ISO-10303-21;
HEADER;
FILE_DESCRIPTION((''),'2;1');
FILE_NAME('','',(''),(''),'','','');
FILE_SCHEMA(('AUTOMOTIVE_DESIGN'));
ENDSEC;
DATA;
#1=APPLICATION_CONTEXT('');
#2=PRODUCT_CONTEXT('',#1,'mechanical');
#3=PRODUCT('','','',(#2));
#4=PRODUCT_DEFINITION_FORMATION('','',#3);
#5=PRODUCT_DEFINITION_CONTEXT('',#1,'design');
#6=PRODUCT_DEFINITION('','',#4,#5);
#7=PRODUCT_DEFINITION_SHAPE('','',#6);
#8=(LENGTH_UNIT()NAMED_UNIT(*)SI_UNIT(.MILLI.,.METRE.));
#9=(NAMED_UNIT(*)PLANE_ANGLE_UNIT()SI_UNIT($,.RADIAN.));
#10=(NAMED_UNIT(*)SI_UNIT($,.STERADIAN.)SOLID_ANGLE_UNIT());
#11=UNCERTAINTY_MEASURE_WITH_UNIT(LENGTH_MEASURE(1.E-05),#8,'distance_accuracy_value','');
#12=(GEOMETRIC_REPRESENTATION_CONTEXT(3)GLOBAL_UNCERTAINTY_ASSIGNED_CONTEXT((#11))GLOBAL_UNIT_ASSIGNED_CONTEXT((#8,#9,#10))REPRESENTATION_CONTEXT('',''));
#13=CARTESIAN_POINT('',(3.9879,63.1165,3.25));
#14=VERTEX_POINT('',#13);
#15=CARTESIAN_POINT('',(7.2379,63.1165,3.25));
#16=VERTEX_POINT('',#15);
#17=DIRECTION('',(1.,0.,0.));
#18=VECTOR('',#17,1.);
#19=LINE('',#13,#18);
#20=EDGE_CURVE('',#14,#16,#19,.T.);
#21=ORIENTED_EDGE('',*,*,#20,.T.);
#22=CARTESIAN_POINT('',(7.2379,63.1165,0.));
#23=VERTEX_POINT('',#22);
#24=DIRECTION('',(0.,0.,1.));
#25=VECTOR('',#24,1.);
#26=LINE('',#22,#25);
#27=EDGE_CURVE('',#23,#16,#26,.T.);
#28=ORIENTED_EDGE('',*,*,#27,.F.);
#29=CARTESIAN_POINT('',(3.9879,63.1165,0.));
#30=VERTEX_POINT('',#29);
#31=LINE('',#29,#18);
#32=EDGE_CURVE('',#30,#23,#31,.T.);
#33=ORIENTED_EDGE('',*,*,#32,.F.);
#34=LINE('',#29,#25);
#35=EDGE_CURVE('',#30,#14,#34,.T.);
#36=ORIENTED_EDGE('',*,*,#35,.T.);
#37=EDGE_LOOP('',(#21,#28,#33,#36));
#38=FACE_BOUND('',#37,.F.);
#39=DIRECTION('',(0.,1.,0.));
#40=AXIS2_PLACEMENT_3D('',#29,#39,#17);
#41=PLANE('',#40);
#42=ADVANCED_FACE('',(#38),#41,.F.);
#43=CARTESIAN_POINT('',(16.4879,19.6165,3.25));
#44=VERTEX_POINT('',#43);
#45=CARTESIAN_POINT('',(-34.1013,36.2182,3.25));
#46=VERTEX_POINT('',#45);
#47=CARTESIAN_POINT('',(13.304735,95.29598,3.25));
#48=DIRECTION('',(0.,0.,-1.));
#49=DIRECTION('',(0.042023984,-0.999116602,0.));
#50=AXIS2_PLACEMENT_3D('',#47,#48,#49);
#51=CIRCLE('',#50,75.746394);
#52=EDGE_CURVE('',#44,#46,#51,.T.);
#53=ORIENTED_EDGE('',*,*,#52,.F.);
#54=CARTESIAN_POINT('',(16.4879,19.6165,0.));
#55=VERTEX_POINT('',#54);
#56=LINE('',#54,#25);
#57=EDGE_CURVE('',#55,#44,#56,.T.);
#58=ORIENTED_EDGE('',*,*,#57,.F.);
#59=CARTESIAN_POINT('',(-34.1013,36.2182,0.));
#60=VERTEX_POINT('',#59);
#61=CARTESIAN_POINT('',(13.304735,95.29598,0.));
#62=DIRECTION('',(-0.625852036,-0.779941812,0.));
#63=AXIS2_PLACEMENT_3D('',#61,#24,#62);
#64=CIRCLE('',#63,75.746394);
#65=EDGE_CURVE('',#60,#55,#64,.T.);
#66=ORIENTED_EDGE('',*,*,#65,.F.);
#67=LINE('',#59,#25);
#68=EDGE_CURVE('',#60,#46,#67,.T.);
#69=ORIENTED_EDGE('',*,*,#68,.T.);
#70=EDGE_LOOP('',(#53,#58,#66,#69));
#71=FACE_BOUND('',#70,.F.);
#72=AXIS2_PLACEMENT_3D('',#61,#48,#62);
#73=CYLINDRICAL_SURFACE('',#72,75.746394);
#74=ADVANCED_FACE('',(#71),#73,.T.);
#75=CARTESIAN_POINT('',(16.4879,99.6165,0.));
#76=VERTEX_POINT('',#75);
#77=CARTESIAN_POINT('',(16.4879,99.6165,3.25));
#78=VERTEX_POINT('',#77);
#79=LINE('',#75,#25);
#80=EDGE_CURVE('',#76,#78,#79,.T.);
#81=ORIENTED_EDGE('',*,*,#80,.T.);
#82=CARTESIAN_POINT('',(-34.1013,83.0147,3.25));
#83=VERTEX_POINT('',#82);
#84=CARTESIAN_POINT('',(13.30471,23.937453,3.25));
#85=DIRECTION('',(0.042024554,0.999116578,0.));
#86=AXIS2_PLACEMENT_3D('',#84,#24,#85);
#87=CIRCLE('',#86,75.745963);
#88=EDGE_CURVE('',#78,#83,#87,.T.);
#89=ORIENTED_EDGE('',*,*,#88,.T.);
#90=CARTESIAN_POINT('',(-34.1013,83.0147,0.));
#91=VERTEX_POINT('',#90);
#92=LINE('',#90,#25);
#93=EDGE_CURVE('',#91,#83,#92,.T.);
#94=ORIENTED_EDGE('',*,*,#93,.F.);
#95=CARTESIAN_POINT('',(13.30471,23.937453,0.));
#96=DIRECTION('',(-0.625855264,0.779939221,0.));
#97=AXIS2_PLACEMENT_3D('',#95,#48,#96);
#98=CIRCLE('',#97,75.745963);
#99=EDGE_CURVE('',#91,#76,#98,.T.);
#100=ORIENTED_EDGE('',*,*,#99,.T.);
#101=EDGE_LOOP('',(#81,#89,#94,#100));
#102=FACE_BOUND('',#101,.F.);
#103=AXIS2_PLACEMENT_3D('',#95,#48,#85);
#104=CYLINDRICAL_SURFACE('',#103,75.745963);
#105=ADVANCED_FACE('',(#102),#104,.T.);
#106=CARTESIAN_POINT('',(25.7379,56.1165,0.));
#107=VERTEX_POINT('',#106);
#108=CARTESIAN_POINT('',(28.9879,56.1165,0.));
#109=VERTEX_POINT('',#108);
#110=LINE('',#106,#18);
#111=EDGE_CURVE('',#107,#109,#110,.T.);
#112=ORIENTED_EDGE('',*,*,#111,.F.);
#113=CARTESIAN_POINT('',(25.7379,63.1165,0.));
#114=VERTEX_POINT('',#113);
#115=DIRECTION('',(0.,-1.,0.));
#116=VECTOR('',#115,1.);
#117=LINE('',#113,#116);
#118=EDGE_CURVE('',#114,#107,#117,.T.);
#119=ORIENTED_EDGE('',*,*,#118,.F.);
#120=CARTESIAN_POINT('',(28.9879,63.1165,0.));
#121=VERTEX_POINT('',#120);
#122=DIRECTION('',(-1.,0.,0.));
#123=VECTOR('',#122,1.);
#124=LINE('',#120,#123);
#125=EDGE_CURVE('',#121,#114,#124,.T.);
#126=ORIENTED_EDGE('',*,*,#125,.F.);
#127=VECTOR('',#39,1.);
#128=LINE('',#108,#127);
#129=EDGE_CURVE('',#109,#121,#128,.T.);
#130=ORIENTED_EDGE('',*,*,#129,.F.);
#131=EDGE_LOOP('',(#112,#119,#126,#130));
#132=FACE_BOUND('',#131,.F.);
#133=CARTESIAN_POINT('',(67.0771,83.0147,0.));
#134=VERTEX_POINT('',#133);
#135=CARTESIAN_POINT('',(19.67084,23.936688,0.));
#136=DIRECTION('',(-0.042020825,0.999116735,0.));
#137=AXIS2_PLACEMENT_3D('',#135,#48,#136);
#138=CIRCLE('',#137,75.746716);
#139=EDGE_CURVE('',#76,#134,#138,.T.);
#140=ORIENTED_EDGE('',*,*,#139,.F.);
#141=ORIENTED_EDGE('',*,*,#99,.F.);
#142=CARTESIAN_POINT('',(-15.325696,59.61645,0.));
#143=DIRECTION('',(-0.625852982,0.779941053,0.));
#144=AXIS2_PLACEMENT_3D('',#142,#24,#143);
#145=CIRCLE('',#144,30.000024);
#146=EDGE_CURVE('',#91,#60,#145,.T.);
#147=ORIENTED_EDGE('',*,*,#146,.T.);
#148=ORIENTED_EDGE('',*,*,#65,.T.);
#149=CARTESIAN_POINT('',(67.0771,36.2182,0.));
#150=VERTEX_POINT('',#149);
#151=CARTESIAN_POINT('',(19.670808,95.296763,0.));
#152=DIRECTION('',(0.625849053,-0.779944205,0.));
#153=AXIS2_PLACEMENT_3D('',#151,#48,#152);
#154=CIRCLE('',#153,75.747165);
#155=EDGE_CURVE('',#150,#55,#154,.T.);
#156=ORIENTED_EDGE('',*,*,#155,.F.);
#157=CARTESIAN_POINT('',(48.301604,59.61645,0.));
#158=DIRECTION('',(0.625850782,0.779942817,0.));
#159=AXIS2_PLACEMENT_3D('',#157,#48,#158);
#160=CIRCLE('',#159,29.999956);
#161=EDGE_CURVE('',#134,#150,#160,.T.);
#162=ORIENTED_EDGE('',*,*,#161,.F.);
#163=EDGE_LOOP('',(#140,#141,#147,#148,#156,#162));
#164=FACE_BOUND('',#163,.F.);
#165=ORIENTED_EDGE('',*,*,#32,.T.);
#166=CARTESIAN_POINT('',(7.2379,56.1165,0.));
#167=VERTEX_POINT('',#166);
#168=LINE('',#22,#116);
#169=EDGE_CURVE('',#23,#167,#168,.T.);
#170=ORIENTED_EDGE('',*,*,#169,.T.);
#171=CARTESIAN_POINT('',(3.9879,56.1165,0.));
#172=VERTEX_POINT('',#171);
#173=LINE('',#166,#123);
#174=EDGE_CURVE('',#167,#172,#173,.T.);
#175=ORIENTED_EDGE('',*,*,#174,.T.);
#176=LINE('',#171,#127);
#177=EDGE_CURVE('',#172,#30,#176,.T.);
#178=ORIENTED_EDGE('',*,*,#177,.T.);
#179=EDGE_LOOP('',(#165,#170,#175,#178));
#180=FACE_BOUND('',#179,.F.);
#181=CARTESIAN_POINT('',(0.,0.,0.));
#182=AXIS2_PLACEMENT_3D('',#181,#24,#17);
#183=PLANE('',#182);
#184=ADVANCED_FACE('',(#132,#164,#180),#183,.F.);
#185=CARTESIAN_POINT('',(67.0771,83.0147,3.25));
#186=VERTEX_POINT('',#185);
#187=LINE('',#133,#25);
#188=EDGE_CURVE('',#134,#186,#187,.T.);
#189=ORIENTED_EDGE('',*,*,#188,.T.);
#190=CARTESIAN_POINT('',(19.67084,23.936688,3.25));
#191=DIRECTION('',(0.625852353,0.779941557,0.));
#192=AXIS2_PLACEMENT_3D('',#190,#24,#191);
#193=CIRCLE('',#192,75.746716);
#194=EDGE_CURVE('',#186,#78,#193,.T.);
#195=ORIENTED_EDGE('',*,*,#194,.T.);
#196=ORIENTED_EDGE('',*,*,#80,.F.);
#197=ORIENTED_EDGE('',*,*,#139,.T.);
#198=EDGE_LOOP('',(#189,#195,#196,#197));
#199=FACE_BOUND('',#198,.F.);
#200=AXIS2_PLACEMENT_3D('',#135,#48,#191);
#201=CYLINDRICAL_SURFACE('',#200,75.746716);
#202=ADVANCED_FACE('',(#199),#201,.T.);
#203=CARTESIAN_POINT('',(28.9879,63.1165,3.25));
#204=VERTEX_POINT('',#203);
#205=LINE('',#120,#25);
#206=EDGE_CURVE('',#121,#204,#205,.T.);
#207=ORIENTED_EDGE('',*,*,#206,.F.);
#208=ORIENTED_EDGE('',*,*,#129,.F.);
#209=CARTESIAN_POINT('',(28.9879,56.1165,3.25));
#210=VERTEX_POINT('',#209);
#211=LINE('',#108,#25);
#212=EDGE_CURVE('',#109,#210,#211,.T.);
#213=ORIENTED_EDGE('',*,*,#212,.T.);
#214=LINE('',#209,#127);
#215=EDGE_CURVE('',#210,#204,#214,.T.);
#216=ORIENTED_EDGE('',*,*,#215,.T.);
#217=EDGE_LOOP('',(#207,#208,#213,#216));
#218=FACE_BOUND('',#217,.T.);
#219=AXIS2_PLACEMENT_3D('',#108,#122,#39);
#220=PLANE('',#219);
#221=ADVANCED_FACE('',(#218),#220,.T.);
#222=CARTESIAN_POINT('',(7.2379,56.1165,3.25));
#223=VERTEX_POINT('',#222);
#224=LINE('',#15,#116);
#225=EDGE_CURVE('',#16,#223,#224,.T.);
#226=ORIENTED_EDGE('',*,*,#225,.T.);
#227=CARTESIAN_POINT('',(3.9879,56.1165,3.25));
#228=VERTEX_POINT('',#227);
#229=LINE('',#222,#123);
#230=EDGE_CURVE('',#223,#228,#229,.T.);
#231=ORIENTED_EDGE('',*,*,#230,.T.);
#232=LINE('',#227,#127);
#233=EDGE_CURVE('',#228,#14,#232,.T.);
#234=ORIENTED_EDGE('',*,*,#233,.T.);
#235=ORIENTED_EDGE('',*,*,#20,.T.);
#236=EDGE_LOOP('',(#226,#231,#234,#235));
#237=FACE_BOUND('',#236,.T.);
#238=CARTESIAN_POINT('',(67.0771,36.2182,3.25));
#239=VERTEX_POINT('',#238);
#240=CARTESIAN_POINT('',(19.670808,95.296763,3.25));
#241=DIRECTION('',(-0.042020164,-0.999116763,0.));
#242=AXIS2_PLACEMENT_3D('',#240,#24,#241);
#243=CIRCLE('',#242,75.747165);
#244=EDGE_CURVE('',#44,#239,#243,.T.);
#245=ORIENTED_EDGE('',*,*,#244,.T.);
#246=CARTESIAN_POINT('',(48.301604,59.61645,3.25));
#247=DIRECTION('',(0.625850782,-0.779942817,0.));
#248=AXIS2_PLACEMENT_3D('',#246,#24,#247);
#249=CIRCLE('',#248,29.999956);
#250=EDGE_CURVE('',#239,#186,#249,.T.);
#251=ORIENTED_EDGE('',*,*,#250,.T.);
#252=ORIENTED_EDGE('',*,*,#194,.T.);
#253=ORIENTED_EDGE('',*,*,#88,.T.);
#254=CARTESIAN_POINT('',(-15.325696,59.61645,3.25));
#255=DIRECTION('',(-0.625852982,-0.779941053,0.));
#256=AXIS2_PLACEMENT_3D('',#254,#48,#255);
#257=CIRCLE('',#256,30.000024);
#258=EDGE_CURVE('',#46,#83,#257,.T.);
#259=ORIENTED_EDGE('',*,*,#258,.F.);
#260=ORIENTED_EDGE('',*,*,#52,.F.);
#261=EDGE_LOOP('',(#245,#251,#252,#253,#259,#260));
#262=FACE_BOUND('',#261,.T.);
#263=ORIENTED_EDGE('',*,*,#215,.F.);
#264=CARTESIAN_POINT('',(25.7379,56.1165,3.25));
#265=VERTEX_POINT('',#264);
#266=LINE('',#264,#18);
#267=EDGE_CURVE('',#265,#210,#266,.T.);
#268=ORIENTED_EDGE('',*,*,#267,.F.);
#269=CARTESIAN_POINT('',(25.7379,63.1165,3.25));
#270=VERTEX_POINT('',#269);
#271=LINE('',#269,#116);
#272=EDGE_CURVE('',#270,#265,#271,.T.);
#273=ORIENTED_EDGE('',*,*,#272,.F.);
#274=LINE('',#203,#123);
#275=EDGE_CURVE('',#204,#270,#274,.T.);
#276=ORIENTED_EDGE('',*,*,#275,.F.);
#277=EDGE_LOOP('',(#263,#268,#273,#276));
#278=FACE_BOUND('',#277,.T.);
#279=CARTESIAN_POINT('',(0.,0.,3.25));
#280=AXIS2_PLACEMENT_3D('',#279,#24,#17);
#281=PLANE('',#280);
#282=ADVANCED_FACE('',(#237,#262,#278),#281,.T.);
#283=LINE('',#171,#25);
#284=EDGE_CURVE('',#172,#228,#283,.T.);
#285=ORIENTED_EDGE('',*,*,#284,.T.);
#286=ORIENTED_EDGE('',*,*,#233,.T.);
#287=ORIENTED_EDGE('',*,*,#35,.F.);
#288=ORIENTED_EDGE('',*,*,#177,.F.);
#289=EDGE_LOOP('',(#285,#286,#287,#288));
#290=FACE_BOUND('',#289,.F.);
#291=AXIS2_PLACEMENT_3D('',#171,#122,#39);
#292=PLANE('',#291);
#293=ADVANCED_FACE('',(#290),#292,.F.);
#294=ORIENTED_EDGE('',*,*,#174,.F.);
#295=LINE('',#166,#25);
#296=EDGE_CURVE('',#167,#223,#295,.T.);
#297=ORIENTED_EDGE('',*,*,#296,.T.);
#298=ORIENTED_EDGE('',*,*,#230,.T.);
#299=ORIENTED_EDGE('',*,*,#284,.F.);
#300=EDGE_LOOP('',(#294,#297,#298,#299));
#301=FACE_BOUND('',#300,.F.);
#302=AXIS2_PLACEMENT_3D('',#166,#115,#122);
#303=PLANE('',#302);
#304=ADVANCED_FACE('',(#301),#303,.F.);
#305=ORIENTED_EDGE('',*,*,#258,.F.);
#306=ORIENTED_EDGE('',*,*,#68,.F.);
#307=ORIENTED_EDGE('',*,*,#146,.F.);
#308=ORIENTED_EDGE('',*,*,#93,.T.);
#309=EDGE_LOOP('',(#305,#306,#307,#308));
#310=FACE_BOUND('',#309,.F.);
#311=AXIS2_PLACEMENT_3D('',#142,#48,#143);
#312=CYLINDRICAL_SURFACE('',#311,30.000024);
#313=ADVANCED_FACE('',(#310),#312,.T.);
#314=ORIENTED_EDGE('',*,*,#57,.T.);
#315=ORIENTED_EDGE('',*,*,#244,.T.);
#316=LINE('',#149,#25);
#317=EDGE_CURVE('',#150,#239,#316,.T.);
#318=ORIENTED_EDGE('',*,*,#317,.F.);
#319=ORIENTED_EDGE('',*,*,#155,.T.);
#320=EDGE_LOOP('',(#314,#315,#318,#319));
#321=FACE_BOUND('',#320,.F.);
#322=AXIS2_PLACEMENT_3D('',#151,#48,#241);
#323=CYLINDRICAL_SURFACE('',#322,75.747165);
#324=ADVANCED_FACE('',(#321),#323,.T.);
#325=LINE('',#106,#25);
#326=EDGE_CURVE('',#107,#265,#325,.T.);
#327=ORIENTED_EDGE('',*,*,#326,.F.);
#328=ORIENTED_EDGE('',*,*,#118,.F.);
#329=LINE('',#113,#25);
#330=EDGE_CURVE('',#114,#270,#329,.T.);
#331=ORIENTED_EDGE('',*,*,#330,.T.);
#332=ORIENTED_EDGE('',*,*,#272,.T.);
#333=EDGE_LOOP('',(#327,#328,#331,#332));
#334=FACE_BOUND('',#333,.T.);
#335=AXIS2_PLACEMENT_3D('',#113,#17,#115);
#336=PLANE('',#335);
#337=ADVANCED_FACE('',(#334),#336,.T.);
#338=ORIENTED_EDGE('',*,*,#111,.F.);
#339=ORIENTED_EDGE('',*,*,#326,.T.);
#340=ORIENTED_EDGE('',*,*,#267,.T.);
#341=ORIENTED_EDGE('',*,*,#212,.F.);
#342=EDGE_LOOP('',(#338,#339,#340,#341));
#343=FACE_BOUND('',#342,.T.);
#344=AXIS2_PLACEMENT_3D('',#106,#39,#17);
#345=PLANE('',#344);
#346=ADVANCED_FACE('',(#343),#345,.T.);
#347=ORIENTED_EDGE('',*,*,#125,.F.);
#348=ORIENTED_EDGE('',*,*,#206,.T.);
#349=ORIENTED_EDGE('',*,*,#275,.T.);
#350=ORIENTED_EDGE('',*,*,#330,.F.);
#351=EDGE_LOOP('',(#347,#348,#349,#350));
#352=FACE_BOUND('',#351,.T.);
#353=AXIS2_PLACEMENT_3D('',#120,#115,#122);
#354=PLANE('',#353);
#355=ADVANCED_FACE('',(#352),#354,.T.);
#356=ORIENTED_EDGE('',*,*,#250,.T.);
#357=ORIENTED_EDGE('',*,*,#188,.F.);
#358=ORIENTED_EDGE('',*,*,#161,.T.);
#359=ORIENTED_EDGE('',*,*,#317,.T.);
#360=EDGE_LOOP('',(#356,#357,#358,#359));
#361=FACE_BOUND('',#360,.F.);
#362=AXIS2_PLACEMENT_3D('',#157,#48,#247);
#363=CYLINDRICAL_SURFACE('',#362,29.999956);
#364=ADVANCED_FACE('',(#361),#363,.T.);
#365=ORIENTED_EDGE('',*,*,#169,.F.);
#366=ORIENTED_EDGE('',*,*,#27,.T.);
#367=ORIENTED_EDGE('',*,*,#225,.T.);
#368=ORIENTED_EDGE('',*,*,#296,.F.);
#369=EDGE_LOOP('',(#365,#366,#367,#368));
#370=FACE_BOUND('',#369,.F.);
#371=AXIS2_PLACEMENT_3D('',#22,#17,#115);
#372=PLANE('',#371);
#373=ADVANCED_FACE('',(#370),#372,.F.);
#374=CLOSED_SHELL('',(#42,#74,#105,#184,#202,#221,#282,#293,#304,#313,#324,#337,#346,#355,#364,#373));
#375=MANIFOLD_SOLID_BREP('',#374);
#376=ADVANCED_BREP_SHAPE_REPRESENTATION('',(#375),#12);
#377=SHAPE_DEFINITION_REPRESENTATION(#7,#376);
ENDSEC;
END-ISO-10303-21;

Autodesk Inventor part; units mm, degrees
ref_plane "YZ Plane" through (0, 0, 0) normal (1, 0, 0) x (0, 1, 0)
ref_plane "XZ Plane" through (0, 0, 0) normal (0, 1, 0) x (-1, 0, 0)
ref_plane "XY Plane" through (0, 0, 0) normal (0, 0, 1) x (1, 0, 0)
sketch "Sketch1" plane through (0, 0, 0) normal (0, 0, 1) x (1, 0, 0)
  line L0 (-92.7646, -8.503) -> (-89.7646, -8.503)
  line L1 (-89.7646, -8.503) -> (-89.7646, -11.753)
  line L2 (-89.7646, -11.753) -> (-92.7646, -11.753)
  line L3 (-92.7646, -11.753) -> (-92.7646, -8.503)
  line L4 (-92.7646, -21.6527) -> (-89.7646, -21.6527)
  line L5 (-89.7646, -21.6527) -> (-89.7646, -21.7527)
  line L6 (-89.7646, -21.7527) -> (-92.7646, -21.7527)
  line L7 (-92.7646, -21.7527) -> (-92.7646, -21.6527)
  line L8 (-43.5121, 19.6165) -> (76.4879, 19.6165)
  line L9 (76.4879, 19.6165) -> (76.4879, 99.6165)
  line L10 (76.4879, 99.6165) -> (-43.5121, 99.6165)
  line L11 (-43.5121, 99.6165) -> (-43.5121, 19.6165)
  line L12 (16.4879, 99.6165) -> (16.4879, 19.6165) construction
  line L13 (-43.5121, 59.6165) -> (76.4879, 59.6165) construction
  line L14 (3.9879, 63.1165) -> (7.2379, 63.1165)
  line L15 (7.2379, 63.1165) -> (7.2379, 56.1165)
  line L16 (7.2379, 56.1165) -> (3.9879, 56.1165)
  line L17 (3.9879, 56.1165) -> (3.9879, 63.1165)
  line L18 (3.9879, 59.6165) -> (7.2379, 59.6165) construction
  line L19 (28.9879, 63.1165) -> (25.7379, 63.1165)
  line L20 (25.7379, 63.1165) -> (25.7379, 56.1165)
  line L21 (25.7379, 56.1165) -> (28.9879, 56.1165)
  line L22 (28.9879, 56.1165) -> (28.9879, 63.1165)
  line L23 (28.9879, 59.6165) -> (25.7379, 59.6165) construction
  line L24 (-43.5121, 99.6165) -> (-53.5121, 99.6165)
  line L25 (-53.5121, 99.6165) -> (-53.5121, 19.6165)
  line L26 (-53.5121, 19.6165) -> (-43.5121, 19.6165)
  line L27 (-43.5121, 19.6165) -> (-43.5121, 99.6165)
  arc A0 (16.4879, 99.6165) -> (-34.1013, 83.0147) centre (13.3048, 23.9368) ccw
  arc A1 (-34.1013, 36.2182) -> (16.4879, 19.6165) centre (13.3048, 95.2961) ccw
  arc A2 (-34.1013, 83.0147) -> (-34.1013, 36.2182) centre (-15.3258, 59.6165) ccw
  arc A3 (67.0771, 83.0147) -> (16.4879, 99.6165) centre (19.6709, 23.9368) ccw
  arc A4 (16.4879, 19.6165) -> (67.0771, 36.2182) centre (19.6709, 95.2961) ccw
  arc A5 (67.0771, 36.2182) -> (67.0771, 83.0147) centre (48.3015, 59.6165) ccw
  point P0 (0, 0)
  point P1 (-10.3135, 95.9071)
  point P2 (-37.4785, 79.8466)
  dimension "d3" = 3
  dimension "mat" = 3.25
  dimension "d5" = 3
  dimension "kerf" = 0.1
  dimension "d42" = 120
  dimension "d43" = 80
  dimension "d44" = 3.25
  dimension "d45" = 7
  dimension "d47" = 9.25
  dimension "d69" = 10
  dimension "d70" = 30
extrude "Extrusion10" add sketch "Sketch1" along normal blind 3.25 contours A1 A2 L11 A0 L10 A3 A5 L9 A4 L8 | L8 A1 | A2 L11 | L8 A4 | A0 L10 | L9 A5 | A3 L10
equation "\"d44\" = mat"
equation "\"d73\" = mat"
properties part number "body-back"
